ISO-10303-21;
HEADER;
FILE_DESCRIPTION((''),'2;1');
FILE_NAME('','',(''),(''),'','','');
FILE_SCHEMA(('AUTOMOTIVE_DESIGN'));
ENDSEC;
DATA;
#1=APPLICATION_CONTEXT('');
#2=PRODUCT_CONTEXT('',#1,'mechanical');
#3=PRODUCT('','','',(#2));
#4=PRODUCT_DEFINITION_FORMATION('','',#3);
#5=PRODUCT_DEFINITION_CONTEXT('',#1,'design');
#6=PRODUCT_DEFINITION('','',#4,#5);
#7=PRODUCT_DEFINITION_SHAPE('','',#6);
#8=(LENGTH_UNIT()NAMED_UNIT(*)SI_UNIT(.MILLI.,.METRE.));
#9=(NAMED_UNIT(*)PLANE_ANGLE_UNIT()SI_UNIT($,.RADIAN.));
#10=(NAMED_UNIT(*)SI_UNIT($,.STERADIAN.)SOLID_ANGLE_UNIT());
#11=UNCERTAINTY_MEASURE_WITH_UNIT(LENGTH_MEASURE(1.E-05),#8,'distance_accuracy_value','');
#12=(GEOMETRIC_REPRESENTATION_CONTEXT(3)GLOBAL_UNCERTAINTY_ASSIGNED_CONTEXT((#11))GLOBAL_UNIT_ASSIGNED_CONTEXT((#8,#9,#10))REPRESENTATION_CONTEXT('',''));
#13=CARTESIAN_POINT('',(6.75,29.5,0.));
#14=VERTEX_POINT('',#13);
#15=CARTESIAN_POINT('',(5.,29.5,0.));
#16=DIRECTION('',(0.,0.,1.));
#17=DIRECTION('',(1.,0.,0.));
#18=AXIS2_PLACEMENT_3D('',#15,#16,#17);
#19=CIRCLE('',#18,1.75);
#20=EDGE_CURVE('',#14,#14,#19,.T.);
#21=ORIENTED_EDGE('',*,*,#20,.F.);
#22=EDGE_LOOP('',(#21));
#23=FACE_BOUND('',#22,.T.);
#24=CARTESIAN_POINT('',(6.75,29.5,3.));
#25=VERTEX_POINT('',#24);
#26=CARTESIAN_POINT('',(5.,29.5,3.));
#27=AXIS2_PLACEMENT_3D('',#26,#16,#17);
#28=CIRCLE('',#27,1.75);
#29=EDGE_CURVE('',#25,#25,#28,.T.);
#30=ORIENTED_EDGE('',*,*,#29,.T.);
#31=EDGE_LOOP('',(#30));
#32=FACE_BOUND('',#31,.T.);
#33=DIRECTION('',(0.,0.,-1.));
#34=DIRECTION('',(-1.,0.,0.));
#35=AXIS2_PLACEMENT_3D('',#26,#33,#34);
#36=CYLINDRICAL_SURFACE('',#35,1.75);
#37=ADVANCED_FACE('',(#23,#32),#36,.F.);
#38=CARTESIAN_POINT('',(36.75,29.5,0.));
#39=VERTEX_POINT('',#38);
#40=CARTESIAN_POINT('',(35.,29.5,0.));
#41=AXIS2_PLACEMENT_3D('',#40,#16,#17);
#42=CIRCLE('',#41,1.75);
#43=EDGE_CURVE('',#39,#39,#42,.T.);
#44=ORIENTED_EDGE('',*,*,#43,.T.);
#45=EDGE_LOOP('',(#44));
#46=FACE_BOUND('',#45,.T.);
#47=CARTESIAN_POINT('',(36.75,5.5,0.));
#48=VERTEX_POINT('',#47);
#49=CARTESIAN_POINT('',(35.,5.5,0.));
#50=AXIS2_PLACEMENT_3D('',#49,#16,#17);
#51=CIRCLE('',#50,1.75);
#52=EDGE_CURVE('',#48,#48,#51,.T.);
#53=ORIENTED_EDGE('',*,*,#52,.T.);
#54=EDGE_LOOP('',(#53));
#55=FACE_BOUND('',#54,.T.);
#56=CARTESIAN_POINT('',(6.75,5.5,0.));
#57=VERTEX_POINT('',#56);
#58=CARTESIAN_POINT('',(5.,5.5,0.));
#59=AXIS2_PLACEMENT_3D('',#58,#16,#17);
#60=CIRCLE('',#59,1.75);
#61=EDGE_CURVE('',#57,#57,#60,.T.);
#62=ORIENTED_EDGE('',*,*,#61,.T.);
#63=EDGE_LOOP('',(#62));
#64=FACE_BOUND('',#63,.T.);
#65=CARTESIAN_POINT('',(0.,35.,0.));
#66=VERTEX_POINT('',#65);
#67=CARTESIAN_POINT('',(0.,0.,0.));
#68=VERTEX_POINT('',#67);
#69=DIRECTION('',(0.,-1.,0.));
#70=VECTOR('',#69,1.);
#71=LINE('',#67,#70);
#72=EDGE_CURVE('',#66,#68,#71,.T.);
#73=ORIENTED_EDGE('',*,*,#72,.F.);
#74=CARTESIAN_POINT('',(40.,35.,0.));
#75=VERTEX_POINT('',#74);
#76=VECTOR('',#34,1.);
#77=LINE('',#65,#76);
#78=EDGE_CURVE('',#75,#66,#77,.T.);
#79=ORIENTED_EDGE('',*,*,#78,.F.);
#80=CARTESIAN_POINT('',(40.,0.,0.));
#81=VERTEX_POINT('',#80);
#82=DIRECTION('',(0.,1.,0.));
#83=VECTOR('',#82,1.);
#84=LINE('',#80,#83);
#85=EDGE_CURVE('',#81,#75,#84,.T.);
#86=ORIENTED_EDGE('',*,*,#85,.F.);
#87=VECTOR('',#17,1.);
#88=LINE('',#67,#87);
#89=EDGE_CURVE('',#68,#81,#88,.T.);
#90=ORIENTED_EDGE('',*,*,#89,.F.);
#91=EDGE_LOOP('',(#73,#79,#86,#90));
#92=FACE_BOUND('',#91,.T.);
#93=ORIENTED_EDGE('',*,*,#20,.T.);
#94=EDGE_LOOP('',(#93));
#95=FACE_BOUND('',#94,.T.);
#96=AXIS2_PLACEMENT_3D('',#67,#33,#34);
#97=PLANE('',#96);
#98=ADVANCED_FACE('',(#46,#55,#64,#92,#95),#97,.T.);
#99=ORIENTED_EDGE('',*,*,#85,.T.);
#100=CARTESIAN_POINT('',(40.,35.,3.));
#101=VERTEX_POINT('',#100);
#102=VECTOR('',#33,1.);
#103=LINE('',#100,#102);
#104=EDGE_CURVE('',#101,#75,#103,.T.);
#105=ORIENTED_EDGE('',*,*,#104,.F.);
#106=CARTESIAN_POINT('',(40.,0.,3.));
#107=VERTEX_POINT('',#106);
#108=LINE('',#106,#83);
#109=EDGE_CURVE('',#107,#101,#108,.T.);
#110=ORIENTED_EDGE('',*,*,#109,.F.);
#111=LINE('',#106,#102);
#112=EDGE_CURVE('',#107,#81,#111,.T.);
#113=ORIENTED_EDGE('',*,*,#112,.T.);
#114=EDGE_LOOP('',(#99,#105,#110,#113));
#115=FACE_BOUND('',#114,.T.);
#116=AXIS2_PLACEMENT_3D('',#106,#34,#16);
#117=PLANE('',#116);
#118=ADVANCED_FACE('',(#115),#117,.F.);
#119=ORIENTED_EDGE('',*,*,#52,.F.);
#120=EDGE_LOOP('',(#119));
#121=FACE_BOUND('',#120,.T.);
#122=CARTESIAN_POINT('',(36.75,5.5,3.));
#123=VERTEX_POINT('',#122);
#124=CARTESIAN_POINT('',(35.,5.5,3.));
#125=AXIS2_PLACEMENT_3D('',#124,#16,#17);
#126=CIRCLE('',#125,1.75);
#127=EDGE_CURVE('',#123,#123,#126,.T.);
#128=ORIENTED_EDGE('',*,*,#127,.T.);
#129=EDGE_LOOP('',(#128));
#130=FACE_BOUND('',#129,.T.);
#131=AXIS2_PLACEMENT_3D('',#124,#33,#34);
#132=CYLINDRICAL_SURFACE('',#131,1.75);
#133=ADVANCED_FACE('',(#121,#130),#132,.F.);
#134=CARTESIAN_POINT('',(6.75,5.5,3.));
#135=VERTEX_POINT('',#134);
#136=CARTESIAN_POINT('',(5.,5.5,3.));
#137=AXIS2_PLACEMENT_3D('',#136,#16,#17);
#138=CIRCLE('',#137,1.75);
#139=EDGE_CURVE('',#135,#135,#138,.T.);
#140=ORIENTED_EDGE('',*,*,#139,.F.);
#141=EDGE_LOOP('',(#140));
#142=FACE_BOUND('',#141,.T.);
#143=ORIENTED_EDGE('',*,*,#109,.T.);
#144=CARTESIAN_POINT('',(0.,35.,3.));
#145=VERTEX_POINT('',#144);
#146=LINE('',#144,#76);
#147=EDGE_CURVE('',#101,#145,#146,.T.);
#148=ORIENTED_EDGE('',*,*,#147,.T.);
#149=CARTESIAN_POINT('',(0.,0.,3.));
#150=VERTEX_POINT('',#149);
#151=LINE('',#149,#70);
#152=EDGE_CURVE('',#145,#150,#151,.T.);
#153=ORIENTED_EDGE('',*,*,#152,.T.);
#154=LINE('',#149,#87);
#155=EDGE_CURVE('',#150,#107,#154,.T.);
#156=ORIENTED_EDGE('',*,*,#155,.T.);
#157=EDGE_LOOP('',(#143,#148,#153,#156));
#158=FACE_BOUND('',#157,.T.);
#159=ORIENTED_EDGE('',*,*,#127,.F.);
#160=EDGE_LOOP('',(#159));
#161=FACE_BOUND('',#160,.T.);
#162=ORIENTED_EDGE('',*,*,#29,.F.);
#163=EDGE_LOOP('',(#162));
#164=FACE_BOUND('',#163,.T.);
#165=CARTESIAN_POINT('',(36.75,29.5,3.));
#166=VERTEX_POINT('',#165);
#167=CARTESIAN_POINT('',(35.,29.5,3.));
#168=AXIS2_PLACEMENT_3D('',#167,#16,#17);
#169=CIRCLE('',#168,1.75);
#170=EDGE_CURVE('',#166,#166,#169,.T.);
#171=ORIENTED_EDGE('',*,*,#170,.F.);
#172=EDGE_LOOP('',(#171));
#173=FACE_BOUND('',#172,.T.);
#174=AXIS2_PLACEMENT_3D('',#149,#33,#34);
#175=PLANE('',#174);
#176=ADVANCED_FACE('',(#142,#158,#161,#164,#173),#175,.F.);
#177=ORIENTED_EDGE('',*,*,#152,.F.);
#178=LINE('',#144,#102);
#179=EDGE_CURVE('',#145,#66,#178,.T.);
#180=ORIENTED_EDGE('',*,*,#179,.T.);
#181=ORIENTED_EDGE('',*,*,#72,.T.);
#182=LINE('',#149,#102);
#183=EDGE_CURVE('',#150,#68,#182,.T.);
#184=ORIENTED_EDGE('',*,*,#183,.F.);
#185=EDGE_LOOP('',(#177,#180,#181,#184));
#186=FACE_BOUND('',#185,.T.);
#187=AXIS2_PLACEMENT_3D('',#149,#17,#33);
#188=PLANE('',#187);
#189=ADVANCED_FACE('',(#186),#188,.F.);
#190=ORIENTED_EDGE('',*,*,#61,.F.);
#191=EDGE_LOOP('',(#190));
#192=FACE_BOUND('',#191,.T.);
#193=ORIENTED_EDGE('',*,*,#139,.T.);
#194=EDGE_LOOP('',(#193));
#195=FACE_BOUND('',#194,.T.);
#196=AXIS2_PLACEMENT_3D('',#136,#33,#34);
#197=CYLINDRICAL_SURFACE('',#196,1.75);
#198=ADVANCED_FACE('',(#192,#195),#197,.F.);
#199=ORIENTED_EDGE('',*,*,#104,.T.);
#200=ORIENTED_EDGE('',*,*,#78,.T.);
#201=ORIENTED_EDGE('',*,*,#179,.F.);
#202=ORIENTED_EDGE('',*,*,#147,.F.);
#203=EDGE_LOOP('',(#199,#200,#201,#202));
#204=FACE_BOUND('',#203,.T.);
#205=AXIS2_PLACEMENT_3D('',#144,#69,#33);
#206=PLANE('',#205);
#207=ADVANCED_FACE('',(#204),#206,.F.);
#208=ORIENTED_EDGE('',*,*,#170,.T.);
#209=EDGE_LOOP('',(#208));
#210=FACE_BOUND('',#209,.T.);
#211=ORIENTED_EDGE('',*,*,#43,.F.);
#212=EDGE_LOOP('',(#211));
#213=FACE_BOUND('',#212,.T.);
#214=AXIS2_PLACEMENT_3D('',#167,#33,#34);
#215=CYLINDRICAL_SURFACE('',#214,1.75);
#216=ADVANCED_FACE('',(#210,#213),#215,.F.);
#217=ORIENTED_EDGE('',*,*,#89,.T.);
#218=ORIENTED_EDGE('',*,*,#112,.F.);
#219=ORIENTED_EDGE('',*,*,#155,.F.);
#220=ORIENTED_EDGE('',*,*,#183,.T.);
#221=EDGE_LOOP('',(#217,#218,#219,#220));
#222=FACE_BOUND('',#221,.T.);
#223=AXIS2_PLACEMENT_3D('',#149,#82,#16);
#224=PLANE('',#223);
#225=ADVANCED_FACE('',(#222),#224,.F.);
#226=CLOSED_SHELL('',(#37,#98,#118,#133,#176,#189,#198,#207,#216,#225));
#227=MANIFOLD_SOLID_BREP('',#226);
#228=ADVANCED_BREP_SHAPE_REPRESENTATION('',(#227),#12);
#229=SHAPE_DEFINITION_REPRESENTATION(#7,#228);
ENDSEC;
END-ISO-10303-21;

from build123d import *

# Parameters (mm, degrees)
SKETCH1_W           = 40
SKETCH1_H           = 35
SKETCH1_R           = 1.75
BOSS_EXTRUDE1_DEPTH = 3


with BuildPart() as part:
    # Sketch1 → Boss-Extrude1 (new body)
    with BuildSketch(Plane.XY):
        with Locations((20, 17.5)):
            Rectangle(SKETCH1_W, SKETCH1_H)
        with Locations((5, 29.5)):
            Circle(SKETCH1_R, mode=Mode.SUBTRACT)
        with Locations((5, 5.5)):
            Circle(SKETCH1_R, mode=Mode.SUBTRACT)
        with Locations((35, 5.5)):
            Circle(SKETCH1_R, mode=Mode.SUBTRACT)
        with Locations((35, 29.5)):
            Circle(SKETCH1_R, mode=Mode.SUBTRACT)
    extrude(amount=BOSS_EXTRUDE1_DEPTH)


solid = part.part
